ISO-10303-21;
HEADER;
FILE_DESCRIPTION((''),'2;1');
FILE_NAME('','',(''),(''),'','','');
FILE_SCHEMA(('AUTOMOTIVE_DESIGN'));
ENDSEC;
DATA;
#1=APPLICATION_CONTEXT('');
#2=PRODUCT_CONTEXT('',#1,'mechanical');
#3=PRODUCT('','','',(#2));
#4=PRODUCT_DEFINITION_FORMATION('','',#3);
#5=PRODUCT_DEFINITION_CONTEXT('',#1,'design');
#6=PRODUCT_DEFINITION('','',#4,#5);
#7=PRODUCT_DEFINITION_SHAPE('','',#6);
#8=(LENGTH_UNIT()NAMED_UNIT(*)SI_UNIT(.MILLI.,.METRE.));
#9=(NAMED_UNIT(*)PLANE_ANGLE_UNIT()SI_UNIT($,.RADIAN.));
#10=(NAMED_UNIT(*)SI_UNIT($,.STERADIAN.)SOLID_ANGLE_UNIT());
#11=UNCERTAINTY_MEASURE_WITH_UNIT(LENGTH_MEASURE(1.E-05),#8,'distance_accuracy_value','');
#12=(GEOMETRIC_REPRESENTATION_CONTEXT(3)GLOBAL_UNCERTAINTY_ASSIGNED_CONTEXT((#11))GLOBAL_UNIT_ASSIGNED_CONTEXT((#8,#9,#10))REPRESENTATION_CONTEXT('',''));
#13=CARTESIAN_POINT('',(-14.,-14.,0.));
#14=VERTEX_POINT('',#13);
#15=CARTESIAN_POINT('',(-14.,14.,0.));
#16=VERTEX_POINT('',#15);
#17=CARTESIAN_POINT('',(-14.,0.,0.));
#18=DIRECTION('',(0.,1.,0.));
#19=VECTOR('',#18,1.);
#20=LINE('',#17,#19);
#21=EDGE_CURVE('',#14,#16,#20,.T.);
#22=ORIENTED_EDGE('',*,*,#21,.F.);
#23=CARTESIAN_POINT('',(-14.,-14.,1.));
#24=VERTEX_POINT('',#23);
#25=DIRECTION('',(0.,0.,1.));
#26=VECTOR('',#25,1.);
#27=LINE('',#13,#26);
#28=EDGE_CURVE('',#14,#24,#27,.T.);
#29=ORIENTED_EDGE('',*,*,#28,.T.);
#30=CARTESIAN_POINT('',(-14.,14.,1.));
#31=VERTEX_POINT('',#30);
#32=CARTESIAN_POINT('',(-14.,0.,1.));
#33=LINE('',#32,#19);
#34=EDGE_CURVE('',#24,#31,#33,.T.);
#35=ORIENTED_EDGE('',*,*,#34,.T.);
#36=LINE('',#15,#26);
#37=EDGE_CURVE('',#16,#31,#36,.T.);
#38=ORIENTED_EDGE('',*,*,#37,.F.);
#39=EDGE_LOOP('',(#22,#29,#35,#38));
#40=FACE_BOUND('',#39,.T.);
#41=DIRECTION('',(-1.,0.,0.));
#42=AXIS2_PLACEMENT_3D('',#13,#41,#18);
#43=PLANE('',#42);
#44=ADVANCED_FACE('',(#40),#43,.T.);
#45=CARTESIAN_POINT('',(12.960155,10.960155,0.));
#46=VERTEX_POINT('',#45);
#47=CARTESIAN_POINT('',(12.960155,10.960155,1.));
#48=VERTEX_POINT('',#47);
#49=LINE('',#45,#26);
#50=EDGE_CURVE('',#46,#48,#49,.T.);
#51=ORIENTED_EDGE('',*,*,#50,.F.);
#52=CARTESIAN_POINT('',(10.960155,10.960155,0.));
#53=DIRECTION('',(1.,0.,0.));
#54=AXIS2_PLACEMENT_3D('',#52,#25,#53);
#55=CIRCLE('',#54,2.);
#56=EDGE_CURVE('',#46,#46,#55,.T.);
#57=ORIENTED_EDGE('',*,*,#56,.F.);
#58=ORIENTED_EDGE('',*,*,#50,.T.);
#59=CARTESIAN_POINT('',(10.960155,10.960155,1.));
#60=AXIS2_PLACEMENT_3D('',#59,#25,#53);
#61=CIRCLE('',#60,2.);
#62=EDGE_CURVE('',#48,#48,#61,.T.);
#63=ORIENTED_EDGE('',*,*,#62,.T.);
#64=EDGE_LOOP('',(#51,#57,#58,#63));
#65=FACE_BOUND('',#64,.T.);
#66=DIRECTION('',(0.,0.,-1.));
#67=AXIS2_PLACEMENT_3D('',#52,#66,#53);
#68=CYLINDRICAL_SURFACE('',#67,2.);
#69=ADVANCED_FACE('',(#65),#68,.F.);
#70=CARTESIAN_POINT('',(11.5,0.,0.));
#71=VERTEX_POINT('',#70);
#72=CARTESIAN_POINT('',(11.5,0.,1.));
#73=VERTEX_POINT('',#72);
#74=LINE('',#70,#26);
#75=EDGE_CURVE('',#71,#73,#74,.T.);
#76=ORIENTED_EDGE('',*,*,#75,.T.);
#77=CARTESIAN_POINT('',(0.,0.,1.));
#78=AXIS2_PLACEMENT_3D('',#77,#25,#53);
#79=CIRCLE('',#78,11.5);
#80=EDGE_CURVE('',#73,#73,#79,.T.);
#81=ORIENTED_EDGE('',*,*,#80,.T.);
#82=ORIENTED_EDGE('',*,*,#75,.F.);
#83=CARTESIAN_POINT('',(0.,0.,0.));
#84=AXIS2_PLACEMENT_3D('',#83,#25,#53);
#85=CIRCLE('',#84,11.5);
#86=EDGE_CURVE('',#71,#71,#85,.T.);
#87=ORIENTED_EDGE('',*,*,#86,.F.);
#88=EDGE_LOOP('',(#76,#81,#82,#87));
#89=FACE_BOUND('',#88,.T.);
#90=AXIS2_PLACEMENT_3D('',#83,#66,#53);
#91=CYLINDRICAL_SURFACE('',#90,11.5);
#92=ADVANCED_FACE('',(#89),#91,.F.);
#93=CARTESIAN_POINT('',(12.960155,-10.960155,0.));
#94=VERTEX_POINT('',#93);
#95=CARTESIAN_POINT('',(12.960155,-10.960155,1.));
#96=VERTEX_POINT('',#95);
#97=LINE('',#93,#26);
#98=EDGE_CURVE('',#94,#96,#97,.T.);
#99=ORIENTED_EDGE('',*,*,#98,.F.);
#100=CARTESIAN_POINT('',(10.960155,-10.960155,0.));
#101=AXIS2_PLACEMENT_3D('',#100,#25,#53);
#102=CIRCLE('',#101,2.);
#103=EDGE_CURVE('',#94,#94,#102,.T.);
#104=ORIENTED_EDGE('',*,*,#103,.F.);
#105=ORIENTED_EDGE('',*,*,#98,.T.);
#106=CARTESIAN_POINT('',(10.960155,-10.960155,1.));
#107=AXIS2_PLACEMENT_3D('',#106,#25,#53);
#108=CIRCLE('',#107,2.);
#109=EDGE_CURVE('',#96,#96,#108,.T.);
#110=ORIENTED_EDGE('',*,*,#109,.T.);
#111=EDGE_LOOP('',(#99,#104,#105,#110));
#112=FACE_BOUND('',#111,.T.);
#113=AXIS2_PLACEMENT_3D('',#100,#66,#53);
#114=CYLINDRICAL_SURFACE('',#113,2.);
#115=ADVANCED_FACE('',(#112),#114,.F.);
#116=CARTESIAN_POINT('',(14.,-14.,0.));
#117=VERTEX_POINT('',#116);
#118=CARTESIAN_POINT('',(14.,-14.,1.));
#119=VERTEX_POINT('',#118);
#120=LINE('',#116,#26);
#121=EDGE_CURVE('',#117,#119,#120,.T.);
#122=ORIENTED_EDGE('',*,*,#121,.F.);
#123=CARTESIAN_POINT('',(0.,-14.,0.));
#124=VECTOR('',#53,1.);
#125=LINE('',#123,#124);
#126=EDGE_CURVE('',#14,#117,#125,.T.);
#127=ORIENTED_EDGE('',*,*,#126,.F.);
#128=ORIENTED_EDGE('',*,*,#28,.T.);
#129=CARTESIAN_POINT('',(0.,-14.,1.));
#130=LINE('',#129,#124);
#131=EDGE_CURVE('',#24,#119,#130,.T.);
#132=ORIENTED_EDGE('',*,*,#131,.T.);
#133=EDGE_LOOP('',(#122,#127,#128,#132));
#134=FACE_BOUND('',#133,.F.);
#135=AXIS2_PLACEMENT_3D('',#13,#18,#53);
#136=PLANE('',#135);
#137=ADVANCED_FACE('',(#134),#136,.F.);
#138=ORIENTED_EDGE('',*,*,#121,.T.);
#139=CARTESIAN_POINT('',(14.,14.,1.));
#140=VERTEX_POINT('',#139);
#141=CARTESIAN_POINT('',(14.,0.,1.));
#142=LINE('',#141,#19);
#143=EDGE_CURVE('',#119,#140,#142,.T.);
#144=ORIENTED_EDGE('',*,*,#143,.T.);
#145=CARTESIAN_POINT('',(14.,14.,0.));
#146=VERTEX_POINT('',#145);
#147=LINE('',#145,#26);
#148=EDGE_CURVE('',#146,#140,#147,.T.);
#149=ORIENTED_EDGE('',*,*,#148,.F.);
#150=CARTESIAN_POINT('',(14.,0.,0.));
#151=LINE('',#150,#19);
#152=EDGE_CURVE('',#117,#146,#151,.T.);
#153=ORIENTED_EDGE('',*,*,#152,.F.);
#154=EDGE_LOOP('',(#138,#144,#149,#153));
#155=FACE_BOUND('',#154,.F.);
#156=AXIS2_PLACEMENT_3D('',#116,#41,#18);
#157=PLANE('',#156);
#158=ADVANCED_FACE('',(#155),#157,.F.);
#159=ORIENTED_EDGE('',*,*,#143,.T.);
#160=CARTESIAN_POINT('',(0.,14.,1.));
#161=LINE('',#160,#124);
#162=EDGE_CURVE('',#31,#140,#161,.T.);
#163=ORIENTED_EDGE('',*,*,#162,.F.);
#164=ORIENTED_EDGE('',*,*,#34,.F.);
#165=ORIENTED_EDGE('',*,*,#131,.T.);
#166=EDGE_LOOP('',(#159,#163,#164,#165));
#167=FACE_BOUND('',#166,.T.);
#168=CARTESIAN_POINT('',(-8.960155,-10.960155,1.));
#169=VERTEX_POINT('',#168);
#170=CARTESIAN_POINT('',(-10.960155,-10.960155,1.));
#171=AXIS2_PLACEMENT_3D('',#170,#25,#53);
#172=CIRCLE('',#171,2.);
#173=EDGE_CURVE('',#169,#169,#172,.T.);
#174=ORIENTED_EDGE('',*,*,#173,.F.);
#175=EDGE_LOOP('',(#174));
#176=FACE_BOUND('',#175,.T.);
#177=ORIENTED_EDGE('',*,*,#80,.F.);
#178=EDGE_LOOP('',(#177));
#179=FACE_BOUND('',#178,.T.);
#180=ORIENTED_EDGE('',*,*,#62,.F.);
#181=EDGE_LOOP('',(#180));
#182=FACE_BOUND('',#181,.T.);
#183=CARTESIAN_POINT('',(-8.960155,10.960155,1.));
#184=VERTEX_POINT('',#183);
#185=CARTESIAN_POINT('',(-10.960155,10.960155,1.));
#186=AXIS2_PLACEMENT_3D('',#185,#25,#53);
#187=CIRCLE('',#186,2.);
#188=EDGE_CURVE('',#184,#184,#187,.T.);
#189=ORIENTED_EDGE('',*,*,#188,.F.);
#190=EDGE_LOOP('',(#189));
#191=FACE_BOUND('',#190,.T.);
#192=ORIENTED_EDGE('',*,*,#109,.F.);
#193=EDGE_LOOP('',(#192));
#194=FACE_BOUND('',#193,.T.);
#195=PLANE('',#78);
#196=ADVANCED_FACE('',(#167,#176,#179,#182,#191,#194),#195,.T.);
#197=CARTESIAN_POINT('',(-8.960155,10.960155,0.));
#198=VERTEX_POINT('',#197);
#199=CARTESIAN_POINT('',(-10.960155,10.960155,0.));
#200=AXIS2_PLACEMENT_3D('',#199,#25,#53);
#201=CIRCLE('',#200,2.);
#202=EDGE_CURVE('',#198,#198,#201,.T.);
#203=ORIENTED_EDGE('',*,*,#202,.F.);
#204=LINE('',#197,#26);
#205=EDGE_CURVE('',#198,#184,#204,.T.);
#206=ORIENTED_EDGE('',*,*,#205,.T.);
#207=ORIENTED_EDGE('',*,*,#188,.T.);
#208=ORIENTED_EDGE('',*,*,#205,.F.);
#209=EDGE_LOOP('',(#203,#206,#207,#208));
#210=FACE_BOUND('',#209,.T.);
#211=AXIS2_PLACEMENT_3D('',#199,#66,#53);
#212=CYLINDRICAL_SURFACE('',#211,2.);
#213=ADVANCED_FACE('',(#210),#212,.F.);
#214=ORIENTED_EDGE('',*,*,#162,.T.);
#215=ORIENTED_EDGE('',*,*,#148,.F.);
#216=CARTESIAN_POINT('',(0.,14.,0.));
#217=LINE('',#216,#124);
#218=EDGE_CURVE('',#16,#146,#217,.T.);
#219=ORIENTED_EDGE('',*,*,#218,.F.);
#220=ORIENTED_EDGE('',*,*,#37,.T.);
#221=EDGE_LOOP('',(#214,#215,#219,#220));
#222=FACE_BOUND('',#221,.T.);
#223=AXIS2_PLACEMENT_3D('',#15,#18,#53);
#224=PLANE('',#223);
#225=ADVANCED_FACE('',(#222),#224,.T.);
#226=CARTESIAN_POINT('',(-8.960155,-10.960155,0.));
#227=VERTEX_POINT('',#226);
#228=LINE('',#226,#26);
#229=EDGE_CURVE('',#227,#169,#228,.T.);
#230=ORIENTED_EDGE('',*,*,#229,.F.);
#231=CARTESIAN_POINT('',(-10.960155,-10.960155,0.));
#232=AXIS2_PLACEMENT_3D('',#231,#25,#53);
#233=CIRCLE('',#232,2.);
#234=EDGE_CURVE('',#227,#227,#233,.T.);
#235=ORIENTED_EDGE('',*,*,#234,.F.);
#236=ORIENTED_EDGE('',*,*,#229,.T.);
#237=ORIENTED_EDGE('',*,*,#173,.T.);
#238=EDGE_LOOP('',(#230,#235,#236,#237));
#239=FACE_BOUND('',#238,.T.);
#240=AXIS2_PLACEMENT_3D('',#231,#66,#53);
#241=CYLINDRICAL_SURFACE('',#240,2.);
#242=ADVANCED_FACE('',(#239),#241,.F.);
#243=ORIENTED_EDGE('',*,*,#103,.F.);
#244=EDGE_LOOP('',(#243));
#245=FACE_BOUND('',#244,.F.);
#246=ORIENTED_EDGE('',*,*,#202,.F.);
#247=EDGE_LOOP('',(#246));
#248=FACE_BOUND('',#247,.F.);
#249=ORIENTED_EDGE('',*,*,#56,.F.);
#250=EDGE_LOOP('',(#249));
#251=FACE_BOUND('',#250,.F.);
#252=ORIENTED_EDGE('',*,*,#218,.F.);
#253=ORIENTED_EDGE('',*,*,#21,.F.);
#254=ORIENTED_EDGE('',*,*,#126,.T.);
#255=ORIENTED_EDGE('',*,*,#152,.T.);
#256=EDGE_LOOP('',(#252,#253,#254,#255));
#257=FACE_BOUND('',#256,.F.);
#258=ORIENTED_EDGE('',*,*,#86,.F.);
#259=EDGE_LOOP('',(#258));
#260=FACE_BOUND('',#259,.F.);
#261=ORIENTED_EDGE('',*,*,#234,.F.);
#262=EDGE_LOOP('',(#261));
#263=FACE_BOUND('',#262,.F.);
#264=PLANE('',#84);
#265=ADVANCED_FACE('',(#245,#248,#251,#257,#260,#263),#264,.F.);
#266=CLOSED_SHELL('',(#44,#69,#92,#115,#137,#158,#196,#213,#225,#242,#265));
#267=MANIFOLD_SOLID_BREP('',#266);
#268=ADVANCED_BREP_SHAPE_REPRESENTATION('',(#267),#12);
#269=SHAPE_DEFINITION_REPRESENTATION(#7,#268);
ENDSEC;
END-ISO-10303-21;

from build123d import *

# Parameters (mm, degrees)
SKETCH001_W   = 28
SKETCH001_H   = 28
SKETCH001_R   = 2
SKETCH001_R_2 = 11.5
PAD_DEPTH     = 1


with BuildPart() as part:
    # Sketch001 → Pad (new body)
    with BuildSketch(Plane.XY):
        Rectangle(SKETCH001_W, SKETCH001_H)
        with Locations((-10.960155, 10.960155)):
            Circle(SKETCH001_R, mode=Mode.SUBTRACT)
        with Locations((-10.960155, -10.960155)):
            Circle(SKETCH001_R, mode=Mode.SUBTRACT)
        with Locations((10.960155, 10.960155)):
            Circle(SKETCH001_R, mode=Mode.SUBTRACT)
        with Locations((10.960155, -10.960155)):
            Circle(SKETCH001_R, mode=Mode.SUBTRACT)
        Circle(SKETCH001_R_2, mode=Mode.SUBTRACT)
    extrude(amount=PAD_DEPTH)


solid = part.part
